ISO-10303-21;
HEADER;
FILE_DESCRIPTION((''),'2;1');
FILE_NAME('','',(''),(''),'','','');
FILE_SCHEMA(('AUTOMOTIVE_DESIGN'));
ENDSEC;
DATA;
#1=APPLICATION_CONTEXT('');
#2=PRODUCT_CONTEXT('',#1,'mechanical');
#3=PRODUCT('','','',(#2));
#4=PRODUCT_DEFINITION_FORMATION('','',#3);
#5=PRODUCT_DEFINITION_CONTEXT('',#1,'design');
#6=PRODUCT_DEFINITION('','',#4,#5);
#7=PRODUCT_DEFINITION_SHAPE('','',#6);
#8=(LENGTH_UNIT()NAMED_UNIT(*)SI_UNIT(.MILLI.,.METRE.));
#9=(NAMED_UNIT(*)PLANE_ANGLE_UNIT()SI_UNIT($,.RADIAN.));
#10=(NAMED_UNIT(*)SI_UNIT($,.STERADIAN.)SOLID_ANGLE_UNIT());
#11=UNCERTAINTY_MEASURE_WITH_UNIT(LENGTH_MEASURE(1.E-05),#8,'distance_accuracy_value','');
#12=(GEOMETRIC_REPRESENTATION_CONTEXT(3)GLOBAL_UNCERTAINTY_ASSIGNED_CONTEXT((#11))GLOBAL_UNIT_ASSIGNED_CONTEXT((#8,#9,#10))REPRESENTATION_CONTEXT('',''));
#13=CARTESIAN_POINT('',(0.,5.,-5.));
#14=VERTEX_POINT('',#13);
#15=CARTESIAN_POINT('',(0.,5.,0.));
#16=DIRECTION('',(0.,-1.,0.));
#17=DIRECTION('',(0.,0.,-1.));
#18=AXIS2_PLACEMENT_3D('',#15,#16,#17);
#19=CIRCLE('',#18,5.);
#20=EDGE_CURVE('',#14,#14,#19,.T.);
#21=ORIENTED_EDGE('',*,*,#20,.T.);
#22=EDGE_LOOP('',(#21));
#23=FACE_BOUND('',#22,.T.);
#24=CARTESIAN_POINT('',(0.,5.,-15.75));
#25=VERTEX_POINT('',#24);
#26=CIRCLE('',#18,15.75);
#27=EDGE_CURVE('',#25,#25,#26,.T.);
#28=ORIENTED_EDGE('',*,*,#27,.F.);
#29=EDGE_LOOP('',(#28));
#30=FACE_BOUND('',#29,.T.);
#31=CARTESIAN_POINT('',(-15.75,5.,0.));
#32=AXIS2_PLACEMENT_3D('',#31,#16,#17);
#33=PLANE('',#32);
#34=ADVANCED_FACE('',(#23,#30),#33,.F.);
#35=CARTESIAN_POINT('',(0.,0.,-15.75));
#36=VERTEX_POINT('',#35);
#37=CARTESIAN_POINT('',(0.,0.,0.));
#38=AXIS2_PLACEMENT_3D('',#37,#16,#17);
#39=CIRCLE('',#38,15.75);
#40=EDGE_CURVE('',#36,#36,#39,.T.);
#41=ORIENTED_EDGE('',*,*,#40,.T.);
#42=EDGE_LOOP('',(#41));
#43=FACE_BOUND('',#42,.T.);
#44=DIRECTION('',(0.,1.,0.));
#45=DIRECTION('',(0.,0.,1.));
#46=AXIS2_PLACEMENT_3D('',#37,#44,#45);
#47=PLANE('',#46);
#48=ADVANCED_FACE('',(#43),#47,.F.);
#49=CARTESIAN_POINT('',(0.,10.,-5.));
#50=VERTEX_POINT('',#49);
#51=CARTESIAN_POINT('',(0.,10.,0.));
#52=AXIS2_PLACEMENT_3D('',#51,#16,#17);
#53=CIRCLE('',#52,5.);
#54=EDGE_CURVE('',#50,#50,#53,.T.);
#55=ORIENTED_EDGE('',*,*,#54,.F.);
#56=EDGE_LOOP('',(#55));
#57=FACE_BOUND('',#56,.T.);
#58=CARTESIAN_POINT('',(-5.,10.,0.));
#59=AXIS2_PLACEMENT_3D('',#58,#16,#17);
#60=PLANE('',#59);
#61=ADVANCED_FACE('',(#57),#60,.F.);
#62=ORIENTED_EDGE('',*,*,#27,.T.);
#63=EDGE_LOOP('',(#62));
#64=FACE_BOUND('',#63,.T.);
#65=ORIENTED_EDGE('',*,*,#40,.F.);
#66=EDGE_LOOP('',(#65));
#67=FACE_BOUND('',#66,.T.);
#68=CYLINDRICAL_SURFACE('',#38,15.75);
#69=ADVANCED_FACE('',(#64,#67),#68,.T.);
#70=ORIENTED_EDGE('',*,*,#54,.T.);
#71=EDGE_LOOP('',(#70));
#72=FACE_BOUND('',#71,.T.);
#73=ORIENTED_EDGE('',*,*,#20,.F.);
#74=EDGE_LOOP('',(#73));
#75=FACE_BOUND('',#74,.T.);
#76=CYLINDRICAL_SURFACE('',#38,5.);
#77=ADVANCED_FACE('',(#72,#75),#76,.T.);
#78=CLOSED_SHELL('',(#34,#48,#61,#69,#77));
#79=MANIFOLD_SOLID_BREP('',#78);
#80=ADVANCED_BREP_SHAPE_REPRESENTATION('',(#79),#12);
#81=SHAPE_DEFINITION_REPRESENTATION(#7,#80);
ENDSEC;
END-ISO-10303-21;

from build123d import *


with BuildPart() as part:
    # Sketch1 → Revolve1 (revolve)
    with BuildSketch(Plane.XY, mode=Mode.PRIVATE) as revolve1_sk:
        Polygon((0, 0), (-15.75, 0), (-15.75, 5), (-5, 5), (-5, 10), (0, 10), align=None)
    revolve(revolve1_sk.sketch.rotate(Axis((0, 0, 0), (0, 1, 0)), 270), axis=Axis((0, 0, 0), (0, 1, 0)))


solid = part.part
